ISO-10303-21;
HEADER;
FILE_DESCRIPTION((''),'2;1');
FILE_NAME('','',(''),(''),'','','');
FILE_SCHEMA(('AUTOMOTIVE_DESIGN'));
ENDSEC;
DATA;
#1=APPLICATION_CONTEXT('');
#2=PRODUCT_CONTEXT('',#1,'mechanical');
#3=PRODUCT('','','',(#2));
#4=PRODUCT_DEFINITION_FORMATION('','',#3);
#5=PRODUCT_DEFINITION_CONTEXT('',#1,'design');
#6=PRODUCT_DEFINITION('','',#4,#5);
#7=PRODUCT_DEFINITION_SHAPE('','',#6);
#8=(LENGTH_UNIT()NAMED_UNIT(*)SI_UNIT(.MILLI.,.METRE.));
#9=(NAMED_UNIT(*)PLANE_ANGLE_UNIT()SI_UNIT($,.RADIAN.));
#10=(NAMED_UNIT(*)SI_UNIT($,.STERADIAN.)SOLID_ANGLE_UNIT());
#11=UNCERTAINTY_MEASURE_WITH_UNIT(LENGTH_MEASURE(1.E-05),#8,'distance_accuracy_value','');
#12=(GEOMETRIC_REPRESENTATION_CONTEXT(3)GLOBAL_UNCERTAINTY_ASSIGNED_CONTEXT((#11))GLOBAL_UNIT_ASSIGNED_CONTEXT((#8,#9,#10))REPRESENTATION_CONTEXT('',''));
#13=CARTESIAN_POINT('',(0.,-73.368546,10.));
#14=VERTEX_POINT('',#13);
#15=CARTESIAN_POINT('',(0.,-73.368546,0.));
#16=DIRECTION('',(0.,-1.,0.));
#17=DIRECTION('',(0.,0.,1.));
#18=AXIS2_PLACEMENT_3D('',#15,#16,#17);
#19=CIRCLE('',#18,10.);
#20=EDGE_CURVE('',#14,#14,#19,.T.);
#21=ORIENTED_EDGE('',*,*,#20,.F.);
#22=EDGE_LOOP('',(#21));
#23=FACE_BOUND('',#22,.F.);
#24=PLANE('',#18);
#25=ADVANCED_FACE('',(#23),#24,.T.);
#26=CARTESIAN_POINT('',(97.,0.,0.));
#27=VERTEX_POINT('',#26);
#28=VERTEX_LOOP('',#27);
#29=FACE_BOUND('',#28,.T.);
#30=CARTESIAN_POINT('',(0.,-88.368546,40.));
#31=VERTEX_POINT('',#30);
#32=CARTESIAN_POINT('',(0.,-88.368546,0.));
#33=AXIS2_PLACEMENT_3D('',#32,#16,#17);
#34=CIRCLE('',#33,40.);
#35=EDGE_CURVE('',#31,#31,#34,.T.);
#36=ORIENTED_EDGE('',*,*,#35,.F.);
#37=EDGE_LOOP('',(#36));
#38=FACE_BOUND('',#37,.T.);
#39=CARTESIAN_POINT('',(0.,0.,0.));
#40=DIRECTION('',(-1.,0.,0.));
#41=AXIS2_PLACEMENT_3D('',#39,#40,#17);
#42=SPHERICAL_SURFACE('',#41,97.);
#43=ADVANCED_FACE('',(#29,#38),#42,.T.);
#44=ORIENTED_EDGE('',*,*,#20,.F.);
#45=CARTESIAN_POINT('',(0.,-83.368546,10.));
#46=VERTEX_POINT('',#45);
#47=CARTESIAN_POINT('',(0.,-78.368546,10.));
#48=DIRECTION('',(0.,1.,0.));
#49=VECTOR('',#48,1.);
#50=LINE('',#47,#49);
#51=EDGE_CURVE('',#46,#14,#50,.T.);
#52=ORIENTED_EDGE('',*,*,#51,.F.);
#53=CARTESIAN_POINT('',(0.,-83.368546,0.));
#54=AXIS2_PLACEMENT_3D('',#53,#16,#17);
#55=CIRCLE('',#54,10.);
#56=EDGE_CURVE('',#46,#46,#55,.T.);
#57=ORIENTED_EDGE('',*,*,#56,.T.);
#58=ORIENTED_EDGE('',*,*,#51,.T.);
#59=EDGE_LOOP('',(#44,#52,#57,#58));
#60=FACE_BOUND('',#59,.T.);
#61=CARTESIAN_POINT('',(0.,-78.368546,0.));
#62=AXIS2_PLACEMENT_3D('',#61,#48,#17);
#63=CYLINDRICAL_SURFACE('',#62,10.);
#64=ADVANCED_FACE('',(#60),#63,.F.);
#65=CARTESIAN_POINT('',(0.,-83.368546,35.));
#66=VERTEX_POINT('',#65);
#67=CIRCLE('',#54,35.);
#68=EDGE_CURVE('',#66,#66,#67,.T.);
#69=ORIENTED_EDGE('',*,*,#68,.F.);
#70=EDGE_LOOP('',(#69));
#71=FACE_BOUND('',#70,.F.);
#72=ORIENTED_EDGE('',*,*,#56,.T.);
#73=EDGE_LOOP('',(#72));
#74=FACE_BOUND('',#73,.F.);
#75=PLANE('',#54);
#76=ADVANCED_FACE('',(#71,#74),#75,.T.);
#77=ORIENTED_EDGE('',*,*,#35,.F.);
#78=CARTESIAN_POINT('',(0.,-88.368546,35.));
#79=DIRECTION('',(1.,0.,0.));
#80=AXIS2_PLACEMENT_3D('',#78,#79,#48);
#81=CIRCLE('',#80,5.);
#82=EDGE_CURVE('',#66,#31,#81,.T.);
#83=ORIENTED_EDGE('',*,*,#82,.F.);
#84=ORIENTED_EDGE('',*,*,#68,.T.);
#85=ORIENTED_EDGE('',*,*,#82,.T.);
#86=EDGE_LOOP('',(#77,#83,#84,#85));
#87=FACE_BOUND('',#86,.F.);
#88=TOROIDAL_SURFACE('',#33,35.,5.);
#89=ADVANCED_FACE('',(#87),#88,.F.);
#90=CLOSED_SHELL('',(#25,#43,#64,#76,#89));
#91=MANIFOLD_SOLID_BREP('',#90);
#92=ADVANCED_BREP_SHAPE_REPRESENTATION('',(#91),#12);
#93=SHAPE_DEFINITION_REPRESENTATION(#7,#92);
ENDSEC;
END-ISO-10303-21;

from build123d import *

# Parameters (mm, degrees)
F1_W = 10
F1_H = 10


with BuildPart() as f2:
    # F0 (on Front) → F2 (revolve)
    with BuildSketch(Plane.XZ):
        with BuildLine():
            Line((92, 0), (97, 0))
            ThreePointArc((97, 0), (0, 97), (-97, 0))
            Line((-97, 0), (-92, 0))
            ThreePointArc((-92, 0), (0, 92), (92, 0))
        make_face()
        with BuildLine():
            Line((0, 0), (39.7717796503, 0))
            ThreePointArc((39.7717796503, 0), (39.7746257755, 0.2754809826), (39.7755744989, 0.5509750335))
            ThreePointArc((39.7755744989, 0.5509750335), (-0.499919552, 40.5500263101), (-40.2206306525, 0))
            Line((-40.2206306525, 0), (0, 0))
        make_face()
        with BuildLine():
            Line((39.7717796503, 0), (92, 0))
            ThreePointArc((92, 0), (0, 92), (-92, 0))
            Line((-92, 0), (-40.2206306525, 0))
            ThreePointArc((-40.2206306525, 0), (-0.499919552, 40.5500263101), (39.7755744989, 0.5509750335))
            ThreePointArc((39.7755744989, 0.5509750335), (39.7746257755, 0.2754809826), (39.7717796503, 0))
        make_face()
    revolve(axis=Axis((-48.5, 0, 0), (-1, 0, 0)))

    # F1 (on Right) → F3 (revolve, cut)
    with BuildSketch(Plane.YZ):
        with BuildLine():
            ThreePointArc((-83.3685464405, 35), (-84.8330125345, 38.5355339059), (-88.3685464405, 40))
            Line((-88.3685464405, 40), (-88.3685464405, 35))
            Line((-88.3685464405, 35), (-88.3685464405, 30))
            ThreePointArc((-88.3685464405, 30), (-84.8330125345, 31.4644660941), (-83.3685464405, 35))
        make_face()
        with BuildLine():
            Line((-88.3685464405, 35), (-88.3685464405, 40))
            ThreePointArc((-88.3685464405, 40), (-90.1839810149, 35.7190364973), (-91.7921673453, 31.3559884879))
            ThreePointArc((-91.7921673453, 31.3559884879), (-90.2097338888, 30.3513411848), (-88.3685464405, 30))
            Line((-88.3685464405, 30), (-88.3685464405, 35))
        make_face()
        with BuildLine():
            ThreePointArc((-91.7921673453, 31.3559884879), (-95.6891849492, 15.8927619926), (-97, 0))
            Line((-97, 0), (-88.3685464405, 0))
            Line((-88.3685464405, 0), (-88.3685464405, 30))
            ThreePointArc((-88.3685464405, 30), (-90.2097338888, 30.3513411848), (-91.7921673453, 31.3559884879))
        make_face()
        with BuildLine():
            Line((-83.3685464405, 10), (-83.3685464405, 35))
            ThreePointArc((-83.3685464405, 35), (-84.8330125345, 31.4644660941), (-88.3685464405, 30))
            Line((-88.3685464405, 30), (-88.3685464405, 0))
            Line((-88.3685464405, 0), (-83.3685464405, 0))
            Line((-83.3685464405, 0), (-83.3685464405, 10))
        make_face()
        with Locations((-78.3685464405, 5)):
            Rectangle(F1_W, F1_H)
    revolve(axis=Axis((0, -48.5, 0), (0, -1, 0)), mode=Mode.SUBTRACT)


solid = f2.part
